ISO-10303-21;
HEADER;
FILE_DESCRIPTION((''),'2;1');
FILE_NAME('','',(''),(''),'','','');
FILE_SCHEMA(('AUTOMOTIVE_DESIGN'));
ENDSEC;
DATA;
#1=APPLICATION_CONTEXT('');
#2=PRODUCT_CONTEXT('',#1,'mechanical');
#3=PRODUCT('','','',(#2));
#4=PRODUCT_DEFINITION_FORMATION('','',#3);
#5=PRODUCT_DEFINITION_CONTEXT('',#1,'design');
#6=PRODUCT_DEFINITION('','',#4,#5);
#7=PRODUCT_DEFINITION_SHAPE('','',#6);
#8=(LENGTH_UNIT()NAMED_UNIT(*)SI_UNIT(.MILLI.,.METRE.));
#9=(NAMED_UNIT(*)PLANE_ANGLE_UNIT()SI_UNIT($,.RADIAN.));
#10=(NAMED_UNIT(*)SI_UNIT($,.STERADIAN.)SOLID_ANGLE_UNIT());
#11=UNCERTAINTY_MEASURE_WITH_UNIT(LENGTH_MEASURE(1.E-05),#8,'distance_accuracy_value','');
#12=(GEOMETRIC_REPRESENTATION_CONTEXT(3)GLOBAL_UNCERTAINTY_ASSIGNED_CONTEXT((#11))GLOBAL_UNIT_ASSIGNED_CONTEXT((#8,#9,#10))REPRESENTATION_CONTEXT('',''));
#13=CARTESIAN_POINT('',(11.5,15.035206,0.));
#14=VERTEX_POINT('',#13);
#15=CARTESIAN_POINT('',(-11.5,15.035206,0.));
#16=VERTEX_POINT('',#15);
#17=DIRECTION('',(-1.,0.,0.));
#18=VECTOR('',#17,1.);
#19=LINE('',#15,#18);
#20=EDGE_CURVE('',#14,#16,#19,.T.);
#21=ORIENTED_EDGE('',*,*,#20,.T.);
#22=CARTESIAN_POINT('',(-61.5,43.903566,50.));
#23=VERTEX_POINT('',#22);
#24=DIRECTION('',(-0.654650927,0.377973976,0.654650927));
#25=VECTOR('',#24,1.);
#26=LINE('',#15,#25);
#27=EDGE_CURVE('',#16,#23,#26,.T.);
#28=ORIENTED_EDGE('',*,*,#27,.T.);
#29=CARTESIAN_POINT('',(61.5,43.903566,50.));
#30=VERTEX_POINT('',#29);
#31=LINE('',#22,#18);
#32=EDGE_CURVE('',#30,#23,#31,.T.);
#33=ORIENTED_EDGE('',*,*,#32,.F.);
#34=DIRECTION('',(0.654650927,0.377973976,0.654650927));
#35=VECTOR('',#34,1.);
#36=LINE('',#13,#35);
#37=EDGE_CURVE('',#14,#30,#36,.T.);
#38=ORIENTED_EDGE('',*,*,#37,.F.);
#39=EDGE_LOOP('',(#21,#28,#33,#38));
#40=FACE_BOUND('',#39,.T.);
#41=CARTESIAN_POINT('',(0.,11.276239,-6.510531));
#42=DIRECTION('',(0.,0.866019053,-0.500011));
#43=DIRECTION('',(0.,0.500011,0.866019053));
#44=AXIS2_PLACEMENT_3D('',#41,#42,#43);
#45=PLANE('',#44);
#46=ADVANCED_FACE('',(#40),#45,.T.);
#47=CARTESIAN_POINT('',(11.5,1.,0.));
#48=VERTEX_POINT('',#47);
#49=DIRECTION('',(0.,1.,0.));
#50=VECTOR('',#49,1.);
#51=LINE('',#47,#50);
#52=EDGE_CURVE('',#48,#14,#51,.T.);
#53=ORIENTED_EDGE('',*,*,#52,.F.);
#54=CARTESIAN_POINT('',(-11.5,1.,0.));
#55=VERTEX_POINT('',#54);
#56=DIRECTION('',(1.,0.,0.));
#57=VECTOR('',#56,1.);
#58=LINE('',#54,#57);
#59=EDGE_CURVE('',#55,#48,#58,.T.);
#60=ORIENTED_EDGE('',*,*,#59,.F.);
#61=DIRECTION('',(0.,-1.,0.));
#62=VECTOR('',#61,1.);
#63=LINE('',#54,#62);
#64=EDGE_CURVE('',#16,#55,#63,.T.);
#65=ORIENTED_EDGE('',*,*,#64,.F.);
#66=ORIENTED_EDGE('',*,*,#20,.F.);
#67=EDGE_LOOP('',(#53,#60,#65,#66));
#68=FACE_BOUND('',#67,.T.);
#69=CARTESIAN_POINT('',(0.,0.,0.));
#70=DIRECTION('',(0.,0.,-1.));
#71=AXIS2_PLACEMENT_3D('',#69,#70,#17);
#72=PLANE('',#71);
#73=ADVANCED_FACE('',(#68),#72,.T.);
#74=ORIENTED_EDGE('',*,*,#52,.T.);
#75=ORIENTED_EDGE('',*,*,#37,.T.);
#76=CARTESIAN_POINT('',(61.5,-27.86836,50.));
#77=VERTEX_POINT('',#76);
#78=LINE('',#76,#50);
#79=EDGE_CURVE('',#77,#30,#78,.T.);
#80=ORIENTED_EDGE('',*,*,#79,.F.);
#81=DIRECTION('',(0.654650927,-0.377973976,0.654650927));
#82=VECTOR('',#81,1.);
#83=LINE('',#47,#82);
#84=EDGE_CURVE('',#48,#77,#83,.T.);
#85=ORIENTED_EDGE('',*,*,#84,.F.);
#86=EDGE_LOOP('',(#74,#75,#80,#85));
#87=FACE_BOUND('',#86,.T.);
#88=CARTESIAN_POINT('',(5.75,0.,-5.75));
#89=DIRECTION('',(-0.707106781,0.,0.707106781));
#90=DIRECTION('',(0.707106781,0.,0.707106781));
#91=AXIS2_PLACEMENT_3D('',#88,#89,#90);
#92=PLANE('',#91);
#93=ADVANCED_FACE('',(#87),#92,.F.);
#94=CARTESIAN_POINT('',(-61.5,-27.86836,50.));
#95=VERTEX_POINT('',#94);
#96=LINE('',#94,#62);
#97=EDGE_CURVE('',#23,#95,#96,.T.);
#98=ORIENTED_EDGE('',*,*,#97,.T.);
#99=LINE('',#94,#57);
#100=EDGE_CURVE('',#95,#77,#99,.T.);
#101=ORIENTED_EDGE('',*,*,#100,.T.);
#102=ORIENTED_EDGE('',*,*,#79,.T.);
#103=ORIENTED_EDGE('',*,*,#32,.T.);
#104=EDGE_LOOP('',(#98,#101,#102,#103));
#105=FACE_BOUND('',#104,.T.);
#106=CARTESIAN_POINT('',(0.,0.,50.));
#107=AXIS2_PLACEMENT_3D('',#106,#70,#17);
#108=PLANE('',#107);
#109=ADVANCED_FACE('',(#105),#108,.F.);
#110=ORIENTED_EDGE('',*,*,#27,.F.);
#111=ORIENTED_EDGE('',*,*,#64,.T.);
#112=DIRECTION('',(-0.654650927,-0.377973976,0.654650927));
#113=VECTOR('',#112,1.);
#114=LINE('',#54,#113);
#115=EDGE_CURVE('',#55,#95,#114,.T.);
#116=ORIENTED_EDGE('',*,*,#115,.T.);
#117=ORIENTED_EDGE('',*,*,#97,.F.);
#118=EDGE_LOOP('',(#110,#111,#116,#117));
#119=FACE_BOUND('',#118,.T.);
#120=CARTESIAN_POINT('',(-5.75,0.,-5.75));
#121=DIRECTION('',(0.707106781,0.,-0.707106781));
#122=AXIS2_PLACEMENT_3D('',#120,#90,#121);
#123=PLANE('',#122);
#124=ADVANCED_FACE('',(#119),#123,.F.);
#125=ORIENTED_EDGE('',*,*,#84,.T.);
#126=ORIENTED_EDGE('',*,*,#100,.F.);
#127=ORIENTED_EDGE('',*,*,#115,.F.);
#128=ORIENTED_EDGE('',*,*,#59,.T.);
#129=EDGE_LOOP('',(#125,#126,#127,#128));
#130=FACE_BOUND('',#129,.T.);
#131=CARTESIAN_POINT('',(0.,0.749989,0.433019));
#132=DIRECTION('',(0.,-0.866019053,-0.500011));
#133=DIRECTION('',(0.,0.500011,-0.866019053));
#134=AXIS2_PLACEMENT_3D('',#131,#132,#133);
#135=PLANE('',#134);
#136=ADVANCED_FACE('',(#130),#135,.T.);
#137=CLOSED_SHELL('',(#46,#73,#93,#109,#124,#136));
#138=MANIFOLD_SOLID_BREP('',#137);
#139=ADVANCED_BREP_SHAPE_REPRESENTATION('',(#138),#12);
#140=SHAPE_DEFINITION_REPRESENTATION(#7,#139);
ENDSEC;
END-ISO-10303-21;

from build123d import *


with BuildPart() as part:
    # Sketch1 → Loft1 section 0
    with BuildSketch(Plane.XY):
        with BuildLine():
            Line((-11.5, 1), (11.5, 1))
            Line((11.5, 1), (11.5, 15.035205868))
            Line((11.5, 15.035205868), (-11.5, 15.035205868))
            Line((-11.5, 15.035205868), (-11.5, 1))
        make_face()
    # Sketch2 → Loft1 section 1
    with BuildSketch(Plane.XY.offset(50)):
        with BuildLine():
            Line((-61.5, -27.868360277), (61.5, -27.868360277))
            Line((61.5, -27.868360277), (61.5, 43.903566145))
            Line((61.5, 43.903566145), (-61.5, 43.903566145))
            Line((-61.5, 43.903566145), (-61.5, -27.868360277))
        make_face()
    loft()


solid = part.part
